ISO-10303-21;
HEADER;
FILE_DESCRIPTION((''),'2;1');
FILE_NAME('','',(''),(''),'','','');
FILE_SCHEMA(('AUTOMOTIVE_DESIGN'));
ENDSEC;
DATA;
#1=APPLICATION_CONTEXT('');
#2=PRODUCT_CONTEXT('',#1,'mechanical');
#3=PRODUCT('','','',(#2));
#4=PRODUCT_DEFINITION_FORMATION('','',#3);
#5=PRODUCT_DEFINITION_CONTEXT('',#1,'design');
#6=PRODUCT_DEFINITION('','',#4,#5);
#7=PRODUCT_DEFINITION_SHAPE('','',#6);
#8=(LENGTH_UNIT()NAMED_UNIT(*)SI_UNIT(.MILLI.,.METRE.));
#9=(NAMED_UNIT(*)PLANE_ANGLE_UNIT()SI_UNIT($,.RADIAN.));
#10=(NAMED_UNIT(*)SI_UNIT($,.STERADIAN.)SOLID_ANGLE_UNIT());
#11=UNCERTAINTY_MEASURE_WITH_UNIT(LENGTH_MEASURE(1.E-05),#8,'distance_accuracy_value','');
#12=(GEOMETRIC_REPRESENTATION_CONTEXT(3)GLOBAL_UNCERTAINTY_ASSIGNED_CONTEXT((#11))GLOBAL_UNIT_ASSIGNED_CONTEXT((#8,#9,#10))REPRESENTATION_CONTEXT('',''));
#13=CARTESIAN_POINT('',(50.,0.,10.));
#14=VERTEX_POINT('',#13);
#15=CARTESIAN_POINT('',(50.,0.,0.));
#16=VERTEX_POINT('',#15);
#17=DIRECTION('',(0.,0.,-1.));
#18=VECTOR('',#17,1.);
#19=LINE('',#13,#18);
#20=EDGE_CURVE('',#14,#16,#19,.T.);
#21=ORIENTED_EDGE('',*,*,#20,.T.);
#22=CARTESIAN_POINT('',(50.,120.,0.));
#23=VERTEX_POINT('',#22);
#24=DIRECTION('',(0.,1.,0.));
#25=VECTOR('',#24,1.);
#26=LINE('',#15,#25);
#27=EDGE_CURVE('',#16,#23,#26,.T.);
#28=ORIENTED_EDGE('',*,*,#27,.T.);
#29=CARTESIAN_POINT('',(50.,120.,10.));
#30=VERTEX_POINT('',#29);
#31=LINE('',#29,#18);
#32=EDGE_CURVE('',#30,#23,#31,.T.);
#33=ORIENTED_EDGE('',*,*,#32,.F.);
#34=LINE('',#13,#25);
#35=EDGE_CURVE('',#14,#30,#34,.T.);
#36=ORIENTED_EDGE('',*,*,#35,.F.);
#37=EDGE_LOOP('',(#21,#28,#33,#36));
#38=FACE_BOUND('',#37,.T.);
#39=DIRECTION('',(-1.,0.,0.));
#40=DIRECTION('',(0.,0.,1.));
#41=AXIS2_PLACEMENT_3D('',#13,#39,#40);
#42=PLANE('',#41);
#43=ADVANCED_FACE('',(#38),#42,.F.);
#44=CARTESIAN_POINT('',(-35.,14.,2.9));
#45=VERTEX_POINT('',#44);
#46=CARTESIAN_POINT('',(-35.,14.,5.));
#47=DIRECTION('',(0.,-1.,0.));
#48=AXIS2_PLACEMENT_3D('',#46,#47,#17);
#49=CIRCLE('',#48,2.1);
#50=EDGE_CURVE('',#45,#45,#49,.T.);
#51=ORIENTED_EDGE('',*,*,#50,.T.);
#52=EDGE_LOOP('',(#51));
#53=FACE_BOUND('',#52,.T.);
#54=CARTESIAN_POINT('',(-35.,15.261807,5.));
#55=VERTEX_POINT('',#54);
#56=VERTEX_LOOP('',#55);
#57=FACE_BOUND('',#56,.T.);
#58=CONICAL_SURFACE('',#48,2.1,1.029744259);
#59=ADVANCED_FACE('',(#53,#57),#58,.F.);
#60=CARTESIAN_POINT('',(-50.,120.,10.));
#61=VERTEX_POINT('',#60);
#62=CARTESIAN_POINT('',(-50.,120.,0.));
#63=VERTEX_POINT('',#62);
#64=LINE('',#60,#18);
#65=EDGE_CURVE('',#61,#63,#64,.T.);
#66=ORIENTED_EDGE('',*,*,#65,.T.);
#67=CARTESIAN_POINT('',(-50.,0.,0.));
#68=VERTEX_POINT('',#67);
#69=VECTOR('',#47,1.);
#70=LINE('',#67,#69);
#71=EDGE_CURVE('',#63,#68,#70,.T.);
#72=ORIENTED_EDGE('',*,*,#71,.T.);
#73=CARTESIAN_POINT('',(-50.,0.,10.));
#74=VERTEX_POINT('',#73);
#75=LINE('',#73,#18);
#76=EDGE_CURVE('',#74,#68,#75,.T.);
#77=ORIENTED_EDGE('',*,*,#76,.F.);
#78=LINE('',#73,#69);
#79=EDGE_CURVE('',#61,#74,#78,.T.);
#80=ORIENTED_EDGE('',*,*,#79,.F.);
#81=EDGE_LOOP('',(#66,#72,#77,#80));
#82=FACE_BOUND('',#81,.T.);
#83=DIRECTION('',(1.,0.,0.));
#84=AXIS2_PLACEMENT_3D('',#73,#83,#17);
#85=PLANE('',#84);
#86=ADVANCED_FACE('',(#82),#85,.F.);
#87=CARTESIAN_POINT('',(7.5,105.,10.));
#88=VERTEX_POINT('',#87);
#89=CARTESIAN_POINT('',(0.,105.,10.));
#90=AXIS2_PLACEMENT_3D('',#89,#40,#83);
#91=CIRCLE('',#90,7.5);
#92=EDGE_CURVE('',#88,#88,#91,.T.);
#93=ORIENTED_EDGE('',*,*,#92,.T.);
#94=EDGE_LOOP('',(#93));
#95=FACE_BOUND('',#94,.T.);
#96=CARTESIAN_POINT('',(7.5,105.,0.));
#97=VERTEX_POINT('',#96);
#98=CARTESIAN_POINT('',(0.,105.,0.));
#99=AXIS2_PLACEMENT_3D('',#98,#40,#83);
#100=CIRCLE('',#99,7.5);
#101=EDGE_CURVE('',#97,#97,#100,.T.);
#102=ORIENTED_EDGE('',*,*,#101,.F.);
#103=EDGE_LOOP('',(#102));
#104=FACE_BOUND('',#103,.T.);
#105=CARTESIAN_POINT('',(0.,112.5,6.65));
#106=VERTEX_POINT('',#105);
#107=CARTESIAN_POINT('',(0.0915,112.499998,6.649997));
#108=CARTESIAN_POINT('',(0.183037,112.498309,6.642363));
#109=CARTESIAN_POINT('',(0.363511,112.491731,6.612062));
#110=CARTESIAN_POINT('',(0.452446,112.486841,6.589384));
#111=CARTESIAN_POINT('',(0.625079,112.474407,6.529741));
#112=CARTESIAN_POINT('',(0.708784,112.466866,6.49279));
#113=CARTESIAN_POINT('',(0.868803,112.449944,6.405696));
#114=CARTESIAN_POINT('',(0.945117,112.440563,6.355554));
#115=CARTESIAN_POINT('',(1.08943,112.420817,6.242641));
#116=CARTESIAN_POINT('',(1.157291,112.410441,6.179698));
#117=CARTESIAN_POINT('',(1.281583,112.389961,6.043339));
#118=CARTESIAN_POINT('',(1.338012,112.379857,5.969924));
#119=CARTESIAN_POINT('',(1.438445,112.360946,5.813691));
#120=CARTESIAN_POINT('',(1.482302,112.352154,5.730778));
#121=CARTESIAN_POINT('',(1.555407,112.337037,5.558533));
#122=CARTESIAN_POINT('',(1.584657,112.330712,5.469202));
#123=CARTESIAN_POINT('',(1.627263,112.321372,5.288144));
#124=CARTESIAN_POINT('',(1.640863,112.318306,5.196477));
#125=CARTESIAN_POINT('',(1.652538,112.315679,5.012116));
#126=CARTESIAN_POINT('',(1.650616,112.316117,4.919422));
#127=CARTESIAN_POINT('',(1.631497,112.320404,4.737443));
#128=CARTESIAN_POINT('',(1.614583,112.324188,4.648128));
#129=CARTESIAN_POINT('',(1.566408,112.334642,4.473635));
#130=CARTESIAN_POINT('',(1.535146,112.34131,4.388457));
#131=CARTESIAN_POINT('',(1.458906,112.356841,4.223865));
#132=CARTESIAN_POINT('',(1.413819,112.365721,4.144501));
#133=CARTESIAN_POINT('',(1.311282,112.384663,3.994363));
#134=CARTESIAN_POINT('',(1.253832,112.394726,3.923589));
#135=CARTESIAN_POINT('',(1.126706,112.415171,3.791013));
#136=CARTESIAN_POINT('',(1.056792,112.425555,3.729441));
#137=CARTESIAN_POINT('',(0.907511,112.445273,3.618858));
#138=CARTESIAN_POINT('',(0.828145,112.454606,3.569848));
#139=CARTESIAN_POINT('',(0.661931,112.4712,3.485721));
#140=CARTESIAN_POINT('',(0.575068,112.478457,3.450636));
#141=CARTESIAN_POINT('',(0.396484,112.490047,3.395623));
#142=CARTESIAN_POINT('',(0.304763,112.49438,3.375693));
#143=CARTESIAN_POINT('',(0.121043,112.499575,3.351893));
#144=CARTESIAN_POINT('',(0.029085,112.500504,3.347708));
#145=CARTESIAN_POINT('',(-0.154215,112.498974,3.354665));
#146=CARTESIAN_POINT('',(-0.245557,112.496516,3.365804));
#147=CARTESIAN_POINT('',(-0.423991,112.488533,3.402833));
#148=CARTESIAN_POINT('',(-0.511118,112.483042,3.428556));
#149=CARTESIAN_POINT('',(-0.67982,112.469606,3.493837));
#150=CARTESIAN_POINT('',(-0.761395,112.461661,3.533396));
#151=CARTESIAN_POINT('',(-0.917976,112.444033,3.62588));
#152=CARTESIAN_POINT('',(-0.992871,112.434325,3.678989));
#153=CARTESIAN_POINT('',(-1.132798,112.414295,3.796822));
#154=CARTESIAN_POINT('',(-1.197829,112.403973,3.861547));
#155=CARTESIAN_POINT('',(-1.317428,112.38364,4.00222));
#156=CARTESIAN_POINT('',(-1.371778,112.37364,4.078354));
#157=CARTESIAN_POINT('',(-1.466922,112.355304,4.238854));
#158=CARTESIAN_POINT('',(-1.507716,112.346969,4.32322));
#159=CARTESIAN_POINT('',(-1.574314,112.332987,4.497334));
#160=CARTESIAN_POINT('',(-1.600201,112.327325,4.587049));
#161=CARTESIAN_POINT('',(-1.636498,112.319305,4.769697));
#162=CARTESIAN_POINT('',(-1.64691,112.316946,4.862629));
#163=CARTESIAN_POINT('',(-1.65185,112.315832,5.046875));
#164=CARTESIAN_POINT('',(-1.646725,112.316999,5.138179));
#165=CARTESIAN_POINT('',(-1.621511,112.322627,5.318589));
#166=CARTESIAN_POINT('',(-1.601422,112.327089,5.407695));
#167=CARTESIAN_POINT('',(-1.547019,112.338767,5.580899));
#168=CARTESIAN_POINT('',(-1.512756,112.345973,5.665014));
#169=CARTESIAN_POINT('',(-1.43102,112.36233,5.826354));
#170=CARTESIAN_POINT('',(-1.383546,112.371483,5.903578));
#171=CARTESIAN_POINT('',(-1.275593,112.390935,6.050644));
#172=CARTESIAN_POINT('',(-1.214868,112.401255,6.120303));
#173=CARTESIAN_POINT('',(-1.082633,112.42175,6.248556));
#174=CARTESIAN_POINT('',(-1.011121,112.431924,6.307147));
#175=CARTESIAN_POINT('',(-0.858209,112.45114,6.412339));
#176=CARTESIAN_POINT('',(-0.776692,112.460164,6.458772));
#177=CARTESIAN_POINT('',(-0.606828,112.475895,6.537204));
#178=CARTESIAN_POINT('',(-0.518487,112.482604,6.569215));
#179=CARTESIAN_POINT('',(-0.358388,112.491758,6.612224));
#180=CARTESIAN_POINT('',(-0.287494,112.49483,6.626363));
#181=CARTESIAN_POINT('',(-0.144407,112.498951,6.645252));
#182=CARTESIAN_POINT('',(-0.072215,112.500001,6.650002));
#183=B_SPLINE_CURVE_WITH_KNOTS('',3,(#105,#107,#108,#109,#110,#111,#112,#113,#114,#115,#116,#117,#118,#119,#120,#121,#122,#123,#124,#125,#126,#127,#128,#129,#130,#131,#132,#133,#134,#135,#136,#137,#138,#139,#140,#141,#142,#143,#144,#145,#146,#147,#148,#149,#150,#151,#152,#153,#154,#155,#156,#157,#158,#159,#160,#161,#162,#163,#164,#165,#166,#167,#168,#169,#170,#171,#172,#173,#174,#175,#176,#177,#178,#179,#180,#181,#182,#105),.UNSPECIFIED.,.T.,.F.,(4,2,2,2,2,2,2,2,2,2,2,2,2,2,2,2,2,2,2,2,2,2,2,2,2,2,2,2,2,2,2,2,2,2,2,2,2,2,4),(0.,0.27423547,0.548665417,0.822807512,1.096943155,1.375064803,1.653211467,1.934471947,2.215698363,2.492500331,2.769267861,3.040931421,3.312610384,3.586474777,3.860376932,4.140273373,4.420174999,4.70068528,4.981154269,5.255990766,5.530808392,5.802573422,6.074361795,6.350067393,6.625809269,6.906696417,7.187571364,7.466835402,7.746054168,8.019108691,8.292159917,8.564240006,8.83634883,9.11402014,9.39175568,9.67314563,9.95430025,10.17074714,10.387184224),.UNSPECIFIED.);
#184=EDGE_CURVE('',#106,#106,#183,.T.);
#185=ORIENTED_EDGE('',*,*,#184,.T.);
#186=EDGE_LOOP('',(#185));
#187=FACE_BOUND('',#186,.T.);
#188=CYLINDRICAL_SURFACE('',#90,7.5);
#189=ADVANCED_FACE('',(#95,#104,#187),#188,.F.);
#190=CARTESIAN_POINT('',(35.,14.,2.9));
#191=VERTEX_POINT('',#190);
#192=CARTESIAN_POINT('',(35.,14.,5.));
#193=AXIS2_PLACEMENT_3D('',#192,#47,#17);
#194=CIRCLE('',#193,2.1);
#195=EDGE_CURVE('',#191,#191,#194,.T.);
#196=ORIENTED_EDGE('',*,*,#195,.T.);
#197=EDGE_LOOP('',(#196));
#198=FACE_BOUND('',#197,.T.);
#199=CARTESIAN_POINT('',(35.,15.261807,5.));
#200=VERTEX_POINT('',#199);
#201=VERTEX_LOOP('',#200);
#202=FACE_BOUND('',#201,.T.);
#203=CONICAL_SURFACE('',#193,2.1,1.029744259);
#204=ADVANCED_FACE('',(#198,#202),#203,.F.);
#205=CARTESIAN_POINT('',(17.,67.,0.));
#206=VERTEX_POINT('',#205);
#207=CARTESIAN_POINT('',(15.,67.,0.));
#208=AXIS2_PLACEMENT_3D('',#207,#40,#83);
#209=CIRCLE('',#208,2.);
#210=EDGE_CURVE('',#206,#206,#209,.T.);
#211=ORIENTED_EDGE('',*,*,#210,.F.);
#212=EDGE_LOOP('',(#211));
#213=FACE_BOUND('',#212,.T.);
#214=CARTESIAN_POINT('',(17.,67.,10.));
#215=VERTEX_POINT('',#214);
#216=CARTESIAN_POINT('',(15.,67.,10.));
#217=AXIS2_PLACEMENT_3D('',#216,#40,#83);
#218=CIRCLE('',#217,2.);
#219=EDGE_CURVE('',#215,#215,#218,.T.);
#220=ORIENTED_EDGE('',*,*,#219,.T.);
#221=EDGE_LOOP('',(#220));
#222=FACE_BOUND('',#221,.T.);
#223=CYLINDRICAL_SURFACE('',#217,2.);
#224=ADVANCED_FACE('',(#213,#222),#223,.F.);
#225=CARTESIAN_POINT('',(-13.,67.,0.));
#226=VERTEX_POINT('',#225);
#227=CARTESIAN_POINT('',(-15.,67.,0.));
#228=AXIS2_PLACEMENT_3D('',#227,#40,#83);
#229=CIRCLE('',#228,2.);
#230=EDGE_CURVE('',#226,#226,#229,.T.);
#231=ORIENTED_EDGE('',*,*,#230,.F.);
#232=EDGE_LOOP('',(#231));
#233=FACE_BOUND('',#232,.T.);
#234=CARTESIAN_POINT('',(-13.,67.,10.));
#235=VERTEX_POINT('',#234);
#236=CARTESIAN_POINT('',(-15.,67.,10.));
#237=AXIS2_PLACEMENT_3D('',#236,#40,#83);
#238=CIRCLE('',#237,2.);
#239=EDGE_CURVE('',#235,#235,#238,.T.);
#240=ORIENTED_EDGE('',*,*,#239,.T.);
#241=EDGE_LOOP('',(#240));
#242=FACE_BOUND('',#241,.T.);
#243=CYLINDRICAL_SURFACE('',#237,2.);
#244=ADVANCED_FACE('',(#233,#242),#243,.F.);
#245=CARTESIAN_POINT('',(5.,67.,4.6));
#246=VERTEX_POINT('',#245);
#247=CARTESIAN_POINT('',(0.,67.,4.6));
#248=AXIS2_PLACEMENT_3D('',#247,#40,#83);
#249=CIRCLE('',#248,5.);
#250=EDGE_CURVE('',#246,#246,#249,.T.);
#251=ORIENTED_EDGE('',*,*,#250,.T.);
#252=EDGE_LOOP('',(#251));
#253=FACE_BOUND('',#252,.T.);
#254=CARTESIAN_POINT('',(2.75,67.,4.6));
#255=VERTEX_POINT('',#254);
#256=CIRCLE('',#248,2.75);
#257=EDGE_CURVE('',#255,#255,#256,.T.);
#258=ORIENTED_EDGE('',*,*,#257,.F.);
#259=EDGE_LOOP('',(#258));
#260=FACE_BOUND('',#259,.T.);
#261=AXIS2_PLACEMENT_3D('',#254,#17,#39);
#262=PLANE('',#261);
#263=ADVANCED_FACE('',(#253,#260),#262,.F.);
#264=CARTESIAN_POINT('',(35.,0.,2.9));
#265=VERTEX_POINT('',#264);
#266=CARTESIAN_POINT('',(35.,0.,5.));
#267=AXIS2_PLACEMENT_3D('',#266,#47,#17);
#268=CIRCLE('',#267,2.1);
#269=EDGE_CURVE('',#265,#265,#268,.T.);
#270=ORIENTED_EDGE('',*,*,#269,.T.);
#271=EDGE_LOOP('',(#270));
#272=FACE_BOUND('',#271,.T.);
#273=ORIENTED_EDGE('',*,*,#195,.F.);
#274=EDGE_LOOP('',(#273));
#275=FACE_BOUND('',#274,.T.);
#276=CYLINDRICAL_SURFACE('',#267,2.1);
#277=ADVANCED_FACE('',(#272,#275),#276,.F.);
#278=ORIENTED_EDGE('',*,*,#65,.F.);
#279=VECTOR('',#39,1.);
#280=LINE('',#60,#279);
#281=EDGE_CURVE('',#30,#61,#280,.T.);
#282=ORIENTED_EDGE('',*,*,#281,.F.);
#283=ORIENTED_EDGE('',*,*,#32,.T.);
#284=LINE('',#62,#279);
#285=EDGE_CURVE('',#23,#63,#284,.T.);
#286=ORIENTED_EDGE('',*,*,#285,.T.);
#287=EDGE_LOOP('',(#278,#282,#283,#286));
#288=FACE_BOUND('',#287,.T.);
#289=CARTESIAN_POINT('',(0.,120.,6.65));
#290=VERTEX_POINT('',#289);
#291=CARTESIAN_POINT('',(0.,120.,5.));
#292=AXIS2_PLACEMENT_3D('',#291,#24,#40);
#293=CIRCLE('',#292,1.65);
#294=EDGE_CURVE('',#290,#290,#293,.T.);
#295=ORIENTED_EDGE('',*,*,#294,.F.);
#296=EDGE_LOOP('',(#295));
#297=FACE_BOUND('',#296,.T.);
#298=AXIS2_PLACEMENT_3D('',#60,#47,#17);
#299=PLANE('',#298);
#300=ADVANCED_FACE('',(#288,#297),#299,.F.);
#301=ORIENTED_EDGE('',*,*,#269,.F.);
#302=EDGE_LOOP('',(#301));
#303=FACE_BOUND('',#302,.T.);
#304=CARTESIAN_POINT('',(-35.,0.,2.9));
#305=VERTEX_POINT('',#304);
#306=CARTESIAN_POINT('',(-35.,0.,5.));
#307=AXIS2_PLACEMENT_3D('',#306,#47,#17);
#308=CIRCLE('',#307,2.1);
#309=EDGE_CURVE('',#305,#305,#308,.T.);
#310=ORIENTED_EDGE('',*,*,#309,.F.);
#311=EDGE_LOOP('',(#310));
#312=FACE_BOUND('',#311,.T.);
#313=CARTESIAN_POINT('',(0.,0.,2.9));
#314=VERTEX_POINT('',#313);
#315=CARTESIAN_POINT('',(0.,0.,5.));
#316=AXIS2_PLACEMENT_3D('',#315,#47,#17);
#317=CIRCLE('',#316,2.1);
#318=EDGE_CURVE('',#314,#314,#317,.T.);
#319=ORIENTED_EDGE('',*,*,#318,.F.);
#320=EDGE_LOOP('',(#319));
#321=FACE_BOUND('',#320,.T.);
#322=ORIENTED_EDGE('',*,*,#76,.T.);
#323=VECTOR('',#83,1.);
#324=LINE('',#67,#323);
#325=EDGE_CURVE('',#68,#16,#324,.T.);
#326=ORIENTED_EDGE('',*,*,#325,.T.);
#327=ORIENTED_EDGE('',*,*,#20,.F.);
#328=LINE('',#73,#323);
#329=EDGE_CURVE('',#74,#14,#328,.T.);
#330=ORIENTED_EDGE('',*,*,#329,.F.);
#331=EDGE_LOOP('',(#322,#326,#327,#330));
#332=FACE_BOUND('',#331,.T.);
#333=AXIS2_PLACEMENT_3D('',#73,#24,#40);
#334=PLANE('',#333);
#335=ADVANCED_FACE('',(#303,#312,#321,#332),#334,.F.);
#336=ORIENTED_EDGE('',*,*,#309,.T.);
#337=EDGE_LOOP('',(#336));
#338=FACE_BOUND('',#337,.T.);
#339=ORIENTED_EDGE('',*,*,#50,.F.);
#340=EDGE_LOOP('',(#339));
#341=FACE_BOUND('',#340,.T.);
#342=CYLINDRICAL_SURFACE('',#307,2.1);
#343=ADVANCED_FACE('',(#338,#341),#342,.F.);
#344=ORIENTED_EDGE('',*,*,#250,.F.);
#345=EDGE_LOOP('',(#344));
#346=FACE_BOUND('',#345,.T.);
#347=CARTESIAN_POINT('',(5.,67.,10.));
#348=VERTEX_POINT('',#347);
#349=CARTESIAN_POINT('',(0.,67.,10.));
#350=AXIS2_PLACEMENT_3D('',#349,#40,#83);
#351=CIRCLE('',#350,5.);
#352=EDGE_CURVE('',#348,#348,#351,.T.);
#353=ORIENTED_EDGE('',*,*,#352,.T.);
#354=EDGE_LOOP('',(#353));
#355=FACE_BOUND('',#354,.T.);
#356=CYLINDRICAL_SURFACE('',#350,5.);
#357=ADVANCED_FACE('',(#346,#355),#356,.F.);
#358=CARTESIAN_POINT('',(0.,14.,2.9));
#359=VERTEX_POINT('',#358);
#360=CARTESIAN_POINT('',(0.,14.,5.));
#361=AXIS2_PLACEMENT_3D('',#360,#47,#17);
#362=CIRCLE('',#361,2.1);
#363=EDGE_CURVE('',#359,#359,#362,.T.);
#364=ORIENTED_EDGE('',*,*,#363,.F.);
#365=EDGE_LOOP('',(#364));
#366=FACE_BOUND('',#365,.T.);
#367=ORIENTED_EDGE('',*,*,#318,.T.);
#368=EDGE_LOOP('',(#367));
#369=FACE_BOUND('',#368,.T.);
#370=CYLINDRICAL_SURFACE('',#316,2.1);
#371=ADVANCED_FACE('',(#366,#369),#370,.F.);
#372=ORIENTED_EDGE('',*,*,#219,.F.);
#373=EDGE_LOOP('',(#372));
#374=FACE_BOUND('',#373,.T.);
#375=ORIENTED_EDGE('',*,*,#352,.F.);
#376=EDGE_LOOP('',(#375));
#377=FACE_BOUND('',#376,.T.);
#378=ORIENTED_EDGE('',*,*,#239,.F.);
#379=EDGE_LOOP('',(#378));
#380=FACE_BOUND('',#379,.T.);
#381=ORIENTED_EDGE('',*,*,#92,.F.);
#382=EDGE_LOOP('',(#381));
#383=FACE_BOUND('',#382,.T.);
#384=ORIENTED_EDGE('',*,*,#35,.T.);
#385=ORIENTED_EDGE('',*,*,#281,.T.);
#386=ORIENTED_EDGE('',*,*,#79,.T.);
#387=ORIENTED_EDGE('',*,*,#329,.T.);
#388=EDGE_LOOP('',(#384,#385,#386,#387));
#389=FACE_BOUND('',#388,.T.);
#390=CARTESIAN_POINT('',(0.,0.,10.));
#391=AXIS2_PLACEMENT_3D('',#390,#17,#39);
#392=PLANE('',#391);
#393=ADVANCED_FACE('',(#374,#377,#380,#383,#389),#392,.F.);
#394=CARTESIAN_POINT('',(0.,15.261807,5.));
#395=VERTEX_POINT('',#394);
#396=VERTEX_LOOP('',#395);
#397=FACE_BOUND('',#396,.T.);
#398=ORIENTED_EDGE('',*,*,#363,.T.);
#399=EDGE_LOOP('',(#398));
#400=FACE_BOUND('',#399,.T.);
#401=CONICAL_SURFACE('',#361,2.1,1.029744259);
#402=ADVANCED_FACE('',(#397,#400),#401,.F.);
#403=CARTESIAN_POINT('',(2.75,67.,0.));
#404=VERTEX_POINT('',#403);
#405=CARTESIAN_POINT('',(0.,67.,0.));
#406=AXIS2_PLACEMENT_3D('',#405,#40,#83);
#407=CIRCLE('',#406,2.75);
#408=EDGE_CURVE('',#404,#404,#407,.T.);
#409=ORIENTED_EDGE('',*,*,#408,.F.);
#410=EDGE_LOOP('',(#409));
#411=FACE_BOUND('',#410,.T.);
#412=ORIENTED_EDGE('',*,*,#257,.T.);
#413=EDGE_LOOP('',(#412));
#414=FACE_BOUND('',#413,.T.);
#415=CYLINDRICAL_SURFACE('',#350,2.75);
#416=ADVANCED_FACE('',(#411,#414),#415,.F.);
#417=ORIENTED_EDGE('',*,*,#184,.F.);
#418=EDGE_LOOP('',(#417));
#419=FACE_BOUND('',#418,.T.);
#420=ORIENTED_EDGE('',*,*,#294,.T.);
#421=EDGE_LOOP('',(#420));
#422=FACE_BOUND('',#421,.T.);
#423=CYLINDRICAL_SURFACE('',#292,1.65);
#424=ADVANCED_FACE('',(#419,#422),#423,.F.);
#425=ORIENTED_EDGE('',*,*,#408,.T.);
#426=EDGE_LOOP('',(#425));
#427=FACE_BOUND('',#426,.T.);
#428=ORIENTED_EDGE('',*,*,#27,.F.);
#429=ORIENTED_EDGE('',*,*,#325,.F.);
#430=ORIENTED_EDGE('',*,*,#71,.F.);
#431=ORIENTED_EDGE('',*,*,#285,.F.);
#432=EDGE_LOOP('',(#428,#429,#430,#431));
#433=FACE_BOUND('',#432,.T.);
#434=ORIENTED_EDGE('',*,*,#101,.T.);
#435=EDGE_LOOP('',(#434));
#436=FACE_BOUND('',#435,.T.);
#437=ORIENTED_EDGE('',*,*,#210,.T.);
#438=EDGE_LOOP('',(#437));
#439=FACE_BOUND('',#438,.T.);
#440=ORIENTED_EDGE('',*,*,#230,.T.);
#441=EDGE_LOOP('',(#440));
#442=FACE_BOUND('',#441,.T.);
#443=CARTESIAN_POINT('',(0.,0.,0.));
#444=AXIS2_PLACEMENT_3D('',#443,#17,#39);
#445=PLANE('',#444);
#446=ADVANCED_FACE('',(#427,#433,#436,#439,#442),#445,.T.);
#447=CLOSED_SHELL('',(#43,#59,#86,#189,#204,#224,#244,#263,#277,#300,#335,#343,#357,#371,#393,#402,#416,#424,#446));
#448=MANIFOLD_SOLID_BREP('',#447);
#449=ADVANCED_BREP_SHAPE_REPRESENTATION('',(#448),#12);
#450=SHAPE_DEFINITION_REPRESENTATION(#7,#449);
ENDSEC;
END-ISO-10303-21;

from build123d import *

# Parameters (mm, degrees)
SKIZZE1_W                                            = 100
SKIZZE1_H                                            = 120
AUFSATZ_LINEAR_AUSTRAGEN1_DEPTH                      = 10
F_15_0_15_DURCHMESSER_BOHRUNG1_D                     = 15
M5_GEWINDEBOHRUNG1_D                                 = 4.2
M5_GEWINDEBOHRUNG1_DEPTH                             = 14
M5_GEWINDEBOHRUNG1_TIP                               = 1.2618073
M4_GEWINDEBOHRUNG1_D                                 = 3.3
M4_GEWINDEBOHRUNG1_DEPTH                             = 11.5
M4_GEWINDEBOHRUNG1_TIP                               = 0.991420021
STIRNSENKUNG_F_R_M5_ZYLINDERSCHRAUBE_MIT_D           = 5.5
STIRNSENKUNG_F_R_M5_ZYLINDERSCHRAUBE_MIT_CBORE_D     = 10
STIRNSENKUNG_F_R_M5_ZYLINDERSCHRAUBE_MIT_CBORE_DEPTH = 5.4
F_4_0_4_DURCHMESSER_BOHRUNG2_D                       = 4


with BuildPart() as part:
    # Skizze1 → Aufsatz-Linear austragen1 (new body)
    with BuildSketch(Plane.XY):
        with Locations((0, 60)):
            Rectangle(SKIZZE1_W, SKIZZE1_H)
    extrude(amount=AUFSATZ_LINEAR_AUSTRAGEN1_DEPTH)

    # Ø15.0 (15) Durchmesser Bohrung1 (through all)
    with Locations(Plane.XY.offset(10)):
        with Locations((0, 105)):
            Hole(F_15_0_15_DURCHMESSER_BOHRUNG1_D / 2)

    # M5 Gewindebohrung1
    with Locations(Plane(origin=(0, 0, 0), x_dir=(-1, 0, 0), z_dir=(0, -1, 0))):
        with Locations((0, -5), (35, -5), (-35, -5)):
            Hole(M5_GEWINDEBOHRUNG1_D / 2, depth=M5_GEWINDEBOHRUNG1_DEPTH)
            with Locations((0, 0, -(M5_GEWINDEBOHRUNG1_DEPTH + M5_GEWINDEBOHRUNG1_TIP / 2))):  # 118° drill point
                Cone(0, M5_GEWINDEBOHRUNG1_D / 2, M5_GEWINDEBOHRUNG1_TIP, mode=Mode.SUBTRACT)

    # M4 Gewindebohrung1
    with Locations(Plane(origin=(0, 120, 0), x_dir=(1, 0, 0), z_dir=(0, 1, 0))):
        with Locations((0, -5)):
            Hole(M4_GEWINDEBOHRUNG1_D / 2, depth=M4_GEWINDEBOHRUNG1_DEPTH)
            with Locations((0, 0, -(M4_GEWINDEBOHRUNG1_DEPTH + M4_GEWINDEBOHRUNG1_TIP / 2))):  # 118° drill point
                Cone(0, M4_GEWINDEBOHRUNG1_D / 2, M4_GEWINDEBOHRUNG1_TIP, mode=Mode.SUBTRACT)

    # Stirnsenkung für M5 Zylinderschraube mit Innensechskant2 (through all)
    with Locations(Plane.XY.offset(10)):
        with Locations((0, 67)):
            CounterBoreHole(STIRNSENKUNG_F_R_M5_ZYLINDERSCHRAUBE_MIT_D / 2, STIRNSENKUNG_F_R_M5_ZYLINDERSCHRAUBE_MIT_CBORE_D / 2, STIRNSENKUNG_F_R_M5_ZYLINDERSCHRAUBE_MIT_CBORE_DEPTH)

    # Ø4.0 (4) Durchmesser Bohrung2 (through all)
    with Locations(Plane.XY.offset(10)):
        with Locations((15, 67), (-15, 67)):
            Hole(F_4_0_4_DURCHMESSER_BOHRUNG2_D / 2)


solid = part.part
